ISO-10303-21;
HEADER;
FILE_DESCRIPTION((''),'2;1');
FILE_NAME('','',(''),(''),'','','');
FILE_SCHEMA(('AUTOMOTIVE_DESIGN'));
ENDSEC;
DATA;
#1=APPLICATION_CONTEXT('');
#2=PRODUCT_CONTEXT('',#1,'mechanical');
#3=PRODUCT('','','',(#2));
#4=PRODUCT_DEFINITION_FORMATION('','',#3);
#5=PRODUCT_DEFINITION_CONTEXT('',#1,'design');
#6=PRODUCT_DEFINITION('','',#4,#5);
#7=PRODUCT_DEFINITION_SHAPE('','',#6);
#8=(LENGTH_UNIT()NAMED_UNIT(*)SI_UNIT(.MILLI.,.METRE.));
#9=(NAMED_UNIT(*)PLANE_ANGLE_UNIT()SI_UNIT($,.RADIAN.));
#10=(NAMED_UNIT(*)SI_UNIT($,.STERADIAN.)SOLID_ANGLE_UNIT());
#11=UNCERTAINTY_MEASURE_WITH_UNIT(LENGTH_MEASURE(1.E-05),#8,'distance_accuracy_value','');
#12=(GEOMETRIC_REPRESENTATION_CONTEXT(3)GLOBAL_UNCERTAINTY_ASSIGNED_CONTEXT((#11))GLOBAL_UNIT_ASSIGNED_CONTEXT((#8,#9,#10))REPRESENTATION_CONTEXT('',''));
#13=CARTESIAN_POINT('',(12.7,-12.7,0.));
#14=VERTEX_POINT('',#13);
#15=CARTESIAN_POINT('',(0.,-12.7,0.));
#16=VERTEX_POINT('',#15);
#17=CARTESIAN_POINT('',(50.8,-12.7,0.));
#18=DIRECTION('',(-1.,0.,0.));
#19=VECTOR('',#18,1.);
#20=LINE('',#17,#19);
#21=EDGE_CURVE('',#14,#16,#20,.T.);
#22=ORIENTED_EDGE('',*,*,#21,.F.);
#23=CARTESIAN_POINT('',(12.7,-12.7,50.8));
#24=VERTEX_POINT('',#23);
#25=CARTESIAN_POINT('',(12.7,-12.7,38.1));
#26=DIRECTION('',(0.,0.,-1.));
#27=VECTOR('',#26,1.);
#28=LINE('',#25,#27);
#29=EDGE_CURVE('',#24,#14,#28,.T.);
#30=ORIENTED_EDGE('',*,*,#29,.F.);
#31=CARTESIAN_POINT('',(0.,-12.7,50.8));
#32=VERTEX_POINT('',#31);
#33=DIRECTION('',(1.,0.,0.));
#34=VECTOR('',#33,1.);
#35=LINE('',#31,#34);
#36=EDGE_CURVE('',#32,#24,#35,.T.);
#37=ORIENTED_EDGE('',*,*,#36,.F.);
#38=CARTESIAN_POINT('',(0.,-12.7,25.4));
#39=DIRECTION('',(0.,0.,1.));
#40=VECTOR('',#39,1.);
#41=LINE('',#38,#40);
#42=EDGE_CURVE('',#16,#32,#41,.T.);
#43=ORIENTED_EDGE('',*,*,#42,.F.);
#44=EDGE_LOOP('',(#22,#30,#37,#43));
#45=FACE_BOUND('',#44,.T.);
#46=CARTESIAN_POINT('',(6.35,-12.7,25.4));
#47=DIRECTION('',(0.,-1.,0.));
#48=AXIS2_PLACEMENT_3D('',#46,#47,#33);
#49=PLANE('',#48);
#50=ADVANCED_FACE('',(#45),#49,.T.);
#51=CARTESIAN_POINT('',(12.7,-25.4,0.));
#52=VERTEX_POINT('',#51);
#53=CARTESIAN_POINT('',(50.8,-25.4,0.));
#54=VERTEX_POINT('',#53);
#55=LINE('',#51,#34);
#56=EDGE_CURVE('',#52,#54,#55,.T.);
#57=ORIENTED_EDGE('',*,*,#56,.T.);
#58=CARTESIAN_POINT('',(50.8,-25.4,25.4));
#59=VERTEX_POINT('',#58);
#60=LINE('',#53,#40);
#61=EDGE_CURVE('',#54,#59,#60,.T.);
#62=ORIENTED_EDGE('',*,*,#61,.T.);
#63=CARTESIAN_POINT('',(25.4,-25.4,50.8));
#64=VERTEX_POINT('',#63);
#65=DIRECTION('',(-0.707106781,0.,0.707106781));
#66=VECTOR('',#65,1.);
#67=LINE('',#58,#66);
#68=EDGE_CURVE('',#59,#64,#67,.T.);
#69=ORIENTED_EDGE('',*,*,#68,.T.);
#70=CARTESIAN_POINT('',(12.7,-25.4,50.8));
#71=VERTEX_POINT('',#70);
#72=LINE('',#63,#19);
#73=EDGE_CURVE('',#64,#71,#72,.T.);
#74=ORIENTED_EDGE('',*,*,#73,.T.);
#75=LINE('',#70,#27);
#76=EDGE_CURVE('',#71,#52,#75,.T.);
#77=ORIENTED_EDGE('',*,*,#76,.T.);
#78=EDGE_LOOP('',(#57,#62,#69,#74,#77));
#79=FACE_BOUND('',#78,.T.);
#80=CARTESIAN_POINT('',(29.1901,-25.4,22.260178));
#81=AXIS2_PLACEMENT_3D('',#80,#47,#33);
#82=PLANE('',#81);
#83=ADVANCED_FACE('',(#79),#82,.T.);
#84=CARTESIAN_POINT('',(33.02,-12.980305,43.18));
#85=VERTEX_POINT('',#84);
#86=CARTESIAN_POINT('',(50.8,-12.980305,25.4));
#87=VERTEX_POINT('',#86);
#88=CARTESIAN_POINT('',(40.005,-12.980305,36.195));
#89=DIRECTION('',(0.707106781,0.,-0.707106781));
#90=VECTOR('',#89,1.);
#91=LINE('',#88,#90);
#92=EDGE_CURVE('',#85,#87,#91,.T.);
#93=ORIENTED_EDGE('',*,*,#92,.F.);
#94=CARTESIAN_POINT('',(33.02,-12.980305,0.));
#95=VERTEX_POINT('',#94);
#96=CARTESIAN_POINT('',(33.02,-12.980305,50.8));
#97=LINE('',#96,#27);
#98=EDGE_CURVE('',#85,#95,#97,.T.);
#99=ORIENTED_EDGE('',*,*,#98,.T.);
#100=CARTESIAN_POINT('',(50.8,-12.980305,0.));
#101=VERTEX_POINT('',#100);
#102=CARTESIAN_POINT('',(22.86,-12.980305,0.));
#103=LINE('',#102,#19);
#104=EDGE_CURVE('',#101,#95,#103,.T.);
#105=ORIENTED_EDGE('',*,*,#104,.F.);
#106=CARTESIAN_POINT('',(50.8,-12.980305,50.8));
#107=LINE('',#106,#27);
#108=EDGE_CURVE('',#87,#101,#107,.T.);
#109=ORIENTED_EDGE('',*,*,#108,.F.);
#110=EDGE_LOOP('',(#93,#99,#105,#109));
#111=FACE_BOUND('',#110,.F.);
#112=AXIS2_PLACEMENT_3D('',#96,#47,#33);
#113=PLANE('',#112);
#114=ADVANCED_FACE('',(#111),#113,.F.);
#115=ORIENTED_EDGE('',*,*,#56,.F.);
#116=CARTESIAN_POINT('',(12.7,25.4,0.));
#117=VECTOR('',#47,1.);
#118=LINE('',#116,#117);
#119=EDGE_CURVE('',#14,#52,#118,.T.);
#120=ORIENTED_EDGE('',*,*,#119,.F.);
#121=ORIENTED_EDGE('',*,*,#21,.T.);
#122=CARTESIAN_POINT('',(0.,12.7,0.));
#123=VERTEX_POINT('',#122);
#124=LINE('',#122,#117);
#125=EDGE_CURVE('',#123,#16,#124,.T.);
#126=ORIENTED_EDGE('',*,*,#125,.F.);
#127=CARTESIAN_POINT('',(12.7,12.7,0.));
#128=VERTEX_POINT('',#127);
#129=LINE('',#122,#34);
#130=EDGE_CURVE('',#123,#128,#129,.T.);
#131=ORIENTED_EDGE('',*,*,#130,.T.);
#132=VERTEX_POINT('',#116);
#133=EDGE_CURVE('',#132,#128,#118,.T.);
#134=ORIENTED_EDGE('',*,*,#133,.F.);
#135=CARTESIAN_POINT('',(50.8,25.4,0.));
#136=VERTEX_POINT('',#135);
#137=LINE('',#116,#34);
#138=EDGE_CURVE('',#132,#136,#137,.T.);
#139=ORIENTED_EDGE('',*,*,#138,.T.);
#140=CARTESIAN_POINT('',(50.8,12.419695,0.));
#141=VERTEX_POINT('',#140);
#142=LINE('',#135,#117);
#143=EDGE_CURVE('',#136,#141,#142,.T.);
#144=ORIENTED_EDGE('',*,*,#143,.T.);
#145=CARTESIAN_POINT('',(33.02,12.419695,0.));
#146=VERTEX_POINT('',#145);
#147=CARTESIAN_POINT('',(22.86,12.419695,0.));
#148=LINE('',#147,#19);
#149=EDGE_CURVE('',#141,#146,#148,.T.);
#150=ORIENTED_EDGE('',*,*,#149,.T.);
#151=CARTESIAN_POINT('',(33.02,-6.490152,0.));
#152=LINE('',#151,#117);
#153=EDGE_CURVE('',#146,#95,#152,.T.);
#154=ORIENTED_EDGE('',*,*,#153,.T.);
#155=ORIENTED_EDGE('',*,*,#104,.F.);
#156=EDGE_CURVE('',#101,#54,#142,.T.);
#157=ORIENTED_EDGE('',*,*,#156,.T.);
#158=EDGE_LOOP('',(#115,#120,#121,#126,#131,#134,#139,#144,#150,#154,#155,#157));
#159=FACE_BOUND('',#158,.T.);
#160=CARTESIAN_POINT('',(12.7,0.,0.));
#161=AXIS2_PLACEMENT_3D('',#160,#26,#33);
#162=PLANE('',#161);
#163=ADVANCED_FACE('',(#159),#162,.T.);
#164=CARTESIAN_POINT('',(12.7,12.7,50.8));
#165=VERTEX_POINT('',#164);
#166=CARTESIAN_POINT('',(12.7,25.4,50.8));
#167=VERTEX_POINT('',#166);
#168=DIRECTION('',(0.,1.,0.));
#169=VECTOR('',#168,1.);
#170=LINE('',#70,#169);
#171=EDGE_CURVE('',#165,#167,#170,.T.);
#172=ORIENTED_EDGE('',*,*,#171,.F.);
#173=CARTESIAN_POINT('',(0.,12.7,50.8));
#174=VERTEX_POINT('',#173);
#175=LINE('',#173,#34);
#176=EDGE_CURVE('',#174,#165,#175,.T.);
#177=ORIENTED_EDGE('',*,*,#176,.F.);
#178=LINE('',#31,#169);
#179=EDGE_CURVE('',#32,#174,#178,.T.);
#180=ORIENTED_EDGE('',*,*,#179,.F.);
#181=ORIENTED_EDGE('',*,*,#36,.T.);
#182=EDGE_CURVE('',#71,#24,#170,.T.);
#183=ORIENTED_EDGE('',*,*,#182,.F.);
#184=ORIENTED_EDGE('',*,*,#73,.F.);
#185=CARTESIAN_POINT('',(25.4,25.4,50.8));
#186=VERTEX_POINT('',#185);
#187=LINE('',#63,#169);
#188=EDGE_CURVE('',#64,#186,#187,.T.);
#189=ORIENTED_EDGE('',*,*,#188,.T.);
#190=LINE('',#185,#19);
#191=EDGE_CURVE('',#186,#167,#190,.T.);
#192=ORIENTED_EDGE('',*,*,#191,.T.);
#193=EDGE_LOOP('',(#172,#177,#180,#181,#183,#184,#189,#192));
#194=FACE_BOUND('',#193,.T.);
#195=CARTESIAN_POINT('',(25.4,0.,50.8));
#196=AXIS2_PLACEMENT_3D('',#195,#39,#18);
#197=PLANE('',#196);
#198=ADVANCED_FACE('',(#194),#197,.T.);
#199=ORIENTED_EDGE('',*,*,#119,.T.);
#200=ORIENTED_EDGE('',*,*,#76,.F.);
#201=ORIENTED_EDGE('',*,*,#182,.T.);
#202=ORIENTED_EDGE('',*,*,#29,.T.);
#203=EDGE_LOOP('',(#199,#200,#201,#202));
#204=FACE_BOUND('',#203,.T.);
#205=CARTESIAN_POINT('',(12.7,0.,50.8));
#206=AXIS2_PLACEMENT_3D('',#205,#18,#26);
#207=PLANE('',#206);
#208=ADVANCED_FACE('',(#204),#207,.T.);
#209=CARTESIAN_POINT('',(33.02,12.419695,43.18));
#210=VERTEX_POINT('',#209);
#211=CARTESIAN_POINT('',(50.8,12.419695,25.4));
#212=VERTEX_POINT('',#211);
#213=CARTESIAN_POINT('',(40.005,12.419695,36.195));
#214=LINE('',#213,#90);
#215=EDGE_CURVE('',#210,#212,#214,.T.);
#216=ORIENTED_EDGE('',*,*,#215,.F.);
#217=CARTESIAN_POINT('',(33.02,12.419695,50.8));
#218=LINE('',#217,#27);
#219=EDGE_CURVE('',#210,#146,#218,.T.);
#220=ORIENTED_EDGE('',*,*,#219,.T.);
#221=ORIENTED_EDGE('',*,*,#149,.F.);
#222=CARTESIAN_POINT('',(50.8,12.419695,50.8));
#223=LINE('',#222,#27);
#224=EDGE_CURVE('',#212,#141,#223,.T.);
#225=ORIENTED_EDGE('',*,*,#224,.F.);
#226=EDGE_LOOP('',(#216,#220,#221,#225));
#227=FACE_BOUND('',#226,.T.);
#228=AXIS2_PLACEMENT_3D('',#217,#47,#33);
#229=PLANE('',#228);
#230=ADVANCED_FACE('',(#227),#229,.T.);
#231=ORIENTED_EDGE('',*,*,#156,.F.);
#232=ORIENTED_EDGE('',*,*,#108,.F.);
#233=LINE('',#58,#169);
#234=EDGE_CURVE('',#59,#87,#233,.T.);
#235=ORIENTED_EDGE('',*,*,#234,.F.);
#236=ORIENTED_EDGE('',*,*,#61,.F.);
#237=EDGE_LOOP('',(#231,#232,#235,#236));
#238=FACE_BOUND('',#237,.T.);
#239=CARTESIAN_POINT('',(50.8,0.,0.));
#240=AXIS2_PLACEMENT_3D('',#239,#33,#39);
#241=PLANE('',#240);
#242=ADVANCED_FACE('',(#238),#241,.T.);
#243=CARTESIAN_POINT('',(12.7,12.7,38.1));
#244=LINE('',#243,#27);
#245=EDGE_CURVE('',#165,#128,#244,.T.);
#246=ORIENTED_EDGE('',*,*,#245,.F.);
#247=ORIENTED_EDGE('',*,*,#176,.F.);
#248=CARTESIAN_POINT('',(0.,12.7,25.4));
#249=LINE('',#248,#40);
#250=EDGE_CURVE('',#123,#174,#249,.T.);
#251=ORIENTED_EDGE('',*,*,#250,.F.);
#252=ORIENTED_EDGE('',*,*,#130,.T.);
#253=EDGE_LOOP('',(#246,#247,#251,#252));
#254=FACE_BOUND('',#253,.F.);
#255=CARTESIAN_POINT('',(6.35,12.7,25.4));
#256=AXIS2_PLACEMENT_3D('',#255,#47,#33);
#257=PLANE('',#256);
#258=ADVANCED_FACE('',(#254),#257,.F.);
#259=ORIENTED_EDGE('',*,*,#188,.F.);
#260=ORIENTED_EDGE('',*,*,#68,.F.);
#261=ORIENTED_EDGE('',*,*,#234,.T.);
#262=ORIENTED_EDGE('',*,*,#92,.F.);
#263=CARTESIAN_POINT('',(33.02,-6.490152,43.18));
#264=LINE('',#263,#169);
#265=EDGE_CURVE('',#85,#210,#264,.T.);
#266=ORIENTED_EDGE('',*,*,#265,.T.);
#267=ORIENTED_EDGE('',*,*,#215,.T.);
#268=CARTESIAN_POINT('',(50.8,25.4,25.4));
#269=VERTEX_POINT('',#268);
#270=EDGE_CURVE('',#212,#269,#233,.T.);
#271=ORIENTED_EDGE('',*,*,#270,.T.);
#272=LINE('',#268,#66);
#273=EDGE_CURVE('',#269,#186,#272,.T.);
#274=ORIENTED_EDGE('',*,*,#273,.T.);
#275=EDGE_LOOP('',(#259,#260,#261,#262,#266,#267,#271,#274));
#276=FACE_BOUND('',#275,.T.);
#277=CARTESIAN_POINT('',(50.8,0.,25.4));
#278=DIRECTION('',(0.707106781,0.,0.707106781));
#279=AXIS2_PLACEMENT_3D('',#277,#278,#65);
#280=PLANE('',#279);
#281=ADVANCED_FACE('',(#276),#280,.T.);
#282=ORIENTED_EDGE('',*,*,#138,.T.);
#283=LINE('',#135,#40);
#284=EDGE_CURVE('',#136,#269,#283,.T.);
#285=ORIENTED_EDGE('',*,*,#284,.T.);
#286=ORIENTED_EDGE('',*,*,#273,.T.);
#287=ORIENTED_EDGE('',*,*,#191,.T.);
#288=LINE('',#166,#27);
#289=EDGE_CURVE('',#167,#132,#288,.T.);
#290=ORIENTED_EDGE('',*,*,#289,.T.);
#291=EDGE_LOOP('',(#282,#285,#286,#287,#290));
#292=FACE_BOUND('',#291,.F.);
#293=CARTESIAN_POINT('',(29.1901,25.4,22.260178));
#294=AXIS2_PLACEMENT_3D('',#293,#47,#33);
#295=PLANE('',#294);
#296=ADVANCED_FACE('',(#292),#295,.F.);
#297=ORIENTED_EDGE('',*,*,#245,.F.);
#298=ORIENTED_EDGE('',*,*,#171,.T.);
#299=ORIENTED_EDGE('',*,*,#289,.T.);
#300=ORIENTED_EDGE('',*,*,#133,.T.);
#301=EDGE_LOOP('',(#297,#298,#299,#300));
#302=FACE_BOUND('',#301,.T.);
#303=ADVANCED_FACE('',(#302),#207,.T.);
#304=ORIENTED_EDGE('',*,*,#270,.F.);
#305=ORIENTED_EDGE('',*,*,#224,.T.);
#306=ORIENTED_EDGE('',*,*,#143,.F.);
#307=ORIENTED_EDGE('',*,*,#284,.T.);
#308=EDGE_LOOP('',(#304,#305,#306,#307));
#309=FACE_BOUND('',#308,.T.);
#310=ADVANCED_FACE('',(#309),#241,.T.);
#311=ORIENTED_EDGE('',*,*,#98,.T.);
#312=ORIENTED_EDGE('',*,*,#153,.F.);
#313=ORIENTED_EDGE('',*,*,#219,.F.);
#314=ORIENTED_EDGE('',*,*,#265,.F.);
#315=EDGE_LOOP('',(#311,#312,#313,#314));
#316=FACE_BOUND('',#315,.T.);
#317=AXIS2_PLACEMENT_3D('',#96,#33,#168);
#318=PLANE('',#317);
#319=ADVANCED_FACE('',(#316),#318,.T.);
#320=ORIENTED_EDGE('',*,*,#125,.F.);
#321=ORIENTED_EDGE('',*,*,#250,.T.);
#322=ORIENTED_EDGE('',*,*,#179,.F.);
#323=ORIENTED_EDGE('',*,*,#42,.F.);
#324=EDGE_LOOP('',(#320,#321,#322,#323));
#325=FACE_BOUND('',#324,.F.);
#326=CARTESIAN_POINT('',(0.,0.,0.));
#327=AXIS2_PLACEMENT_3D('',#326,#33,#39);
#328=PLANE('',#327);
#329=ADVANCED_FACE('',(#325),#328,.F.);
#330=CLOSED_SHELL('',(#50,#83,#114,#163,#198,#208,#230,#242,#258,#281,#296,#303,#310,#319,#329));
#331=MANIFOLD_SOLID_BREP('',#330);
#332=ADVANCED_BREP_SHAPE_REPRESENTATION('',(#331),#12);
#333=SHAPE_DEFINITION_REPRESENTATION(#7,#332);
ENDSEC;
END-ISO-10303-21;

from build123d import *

# Parameters (mm, degrees)
F0_W     = 12.7
F0_H     = 50.8
F1_DEPTH = 12.7
F2_DEPTH = 12.7
F3_DEPTH = 25.4
F4_W     = 17.78
F4_H     = 25.4
F5_DEPTH = 50.801


with BuildPart() as f1:
    # F0 (on Front) → F1 (new body, symmetric)
    with BuildSketch(Plane.XZ):
        with Locations((6.35, 25.4)):
            Rectangle(F0_W, F0_H)
    extrude(amount=F1_DEPTH, both=True)

    # F0 (on Front) → F2 (join, symmetric)
    with BuildSketch(Plane.XZ):
        with Locations((6.35, 25.4)):
            Rectangle(F0_W, F0_H)
        Polygon((12.7, 50.8), (12.7, 0), (50.8, 0), (50.8, 25.4), (25.4, 50.8), align=None)
    extrude(amount=F2_DEPTH, both=True)

    # F0 (on Front) → F3 (join, symmetric)
    with BuildSketch(Plane.XZ):
        Polygon((12.7, 50.8), (12.7, 0), (50.8, 0), (50.8, 25.4), (25.4, 50.8), align=None)
    extrude(amount=F3_DEPTH, both=True)

    # F4 (on face) → F5 (cut, through all)
    with BuildSketch(Plane.XY.offset(50.8)):
        with Locations((41.91, -0.280305)):
            Rectangle(F4_W, F4_H)
    extrude(amount=-F5_DEPTH, mode=Mode.SUBTRACT)


solid = f1.part
